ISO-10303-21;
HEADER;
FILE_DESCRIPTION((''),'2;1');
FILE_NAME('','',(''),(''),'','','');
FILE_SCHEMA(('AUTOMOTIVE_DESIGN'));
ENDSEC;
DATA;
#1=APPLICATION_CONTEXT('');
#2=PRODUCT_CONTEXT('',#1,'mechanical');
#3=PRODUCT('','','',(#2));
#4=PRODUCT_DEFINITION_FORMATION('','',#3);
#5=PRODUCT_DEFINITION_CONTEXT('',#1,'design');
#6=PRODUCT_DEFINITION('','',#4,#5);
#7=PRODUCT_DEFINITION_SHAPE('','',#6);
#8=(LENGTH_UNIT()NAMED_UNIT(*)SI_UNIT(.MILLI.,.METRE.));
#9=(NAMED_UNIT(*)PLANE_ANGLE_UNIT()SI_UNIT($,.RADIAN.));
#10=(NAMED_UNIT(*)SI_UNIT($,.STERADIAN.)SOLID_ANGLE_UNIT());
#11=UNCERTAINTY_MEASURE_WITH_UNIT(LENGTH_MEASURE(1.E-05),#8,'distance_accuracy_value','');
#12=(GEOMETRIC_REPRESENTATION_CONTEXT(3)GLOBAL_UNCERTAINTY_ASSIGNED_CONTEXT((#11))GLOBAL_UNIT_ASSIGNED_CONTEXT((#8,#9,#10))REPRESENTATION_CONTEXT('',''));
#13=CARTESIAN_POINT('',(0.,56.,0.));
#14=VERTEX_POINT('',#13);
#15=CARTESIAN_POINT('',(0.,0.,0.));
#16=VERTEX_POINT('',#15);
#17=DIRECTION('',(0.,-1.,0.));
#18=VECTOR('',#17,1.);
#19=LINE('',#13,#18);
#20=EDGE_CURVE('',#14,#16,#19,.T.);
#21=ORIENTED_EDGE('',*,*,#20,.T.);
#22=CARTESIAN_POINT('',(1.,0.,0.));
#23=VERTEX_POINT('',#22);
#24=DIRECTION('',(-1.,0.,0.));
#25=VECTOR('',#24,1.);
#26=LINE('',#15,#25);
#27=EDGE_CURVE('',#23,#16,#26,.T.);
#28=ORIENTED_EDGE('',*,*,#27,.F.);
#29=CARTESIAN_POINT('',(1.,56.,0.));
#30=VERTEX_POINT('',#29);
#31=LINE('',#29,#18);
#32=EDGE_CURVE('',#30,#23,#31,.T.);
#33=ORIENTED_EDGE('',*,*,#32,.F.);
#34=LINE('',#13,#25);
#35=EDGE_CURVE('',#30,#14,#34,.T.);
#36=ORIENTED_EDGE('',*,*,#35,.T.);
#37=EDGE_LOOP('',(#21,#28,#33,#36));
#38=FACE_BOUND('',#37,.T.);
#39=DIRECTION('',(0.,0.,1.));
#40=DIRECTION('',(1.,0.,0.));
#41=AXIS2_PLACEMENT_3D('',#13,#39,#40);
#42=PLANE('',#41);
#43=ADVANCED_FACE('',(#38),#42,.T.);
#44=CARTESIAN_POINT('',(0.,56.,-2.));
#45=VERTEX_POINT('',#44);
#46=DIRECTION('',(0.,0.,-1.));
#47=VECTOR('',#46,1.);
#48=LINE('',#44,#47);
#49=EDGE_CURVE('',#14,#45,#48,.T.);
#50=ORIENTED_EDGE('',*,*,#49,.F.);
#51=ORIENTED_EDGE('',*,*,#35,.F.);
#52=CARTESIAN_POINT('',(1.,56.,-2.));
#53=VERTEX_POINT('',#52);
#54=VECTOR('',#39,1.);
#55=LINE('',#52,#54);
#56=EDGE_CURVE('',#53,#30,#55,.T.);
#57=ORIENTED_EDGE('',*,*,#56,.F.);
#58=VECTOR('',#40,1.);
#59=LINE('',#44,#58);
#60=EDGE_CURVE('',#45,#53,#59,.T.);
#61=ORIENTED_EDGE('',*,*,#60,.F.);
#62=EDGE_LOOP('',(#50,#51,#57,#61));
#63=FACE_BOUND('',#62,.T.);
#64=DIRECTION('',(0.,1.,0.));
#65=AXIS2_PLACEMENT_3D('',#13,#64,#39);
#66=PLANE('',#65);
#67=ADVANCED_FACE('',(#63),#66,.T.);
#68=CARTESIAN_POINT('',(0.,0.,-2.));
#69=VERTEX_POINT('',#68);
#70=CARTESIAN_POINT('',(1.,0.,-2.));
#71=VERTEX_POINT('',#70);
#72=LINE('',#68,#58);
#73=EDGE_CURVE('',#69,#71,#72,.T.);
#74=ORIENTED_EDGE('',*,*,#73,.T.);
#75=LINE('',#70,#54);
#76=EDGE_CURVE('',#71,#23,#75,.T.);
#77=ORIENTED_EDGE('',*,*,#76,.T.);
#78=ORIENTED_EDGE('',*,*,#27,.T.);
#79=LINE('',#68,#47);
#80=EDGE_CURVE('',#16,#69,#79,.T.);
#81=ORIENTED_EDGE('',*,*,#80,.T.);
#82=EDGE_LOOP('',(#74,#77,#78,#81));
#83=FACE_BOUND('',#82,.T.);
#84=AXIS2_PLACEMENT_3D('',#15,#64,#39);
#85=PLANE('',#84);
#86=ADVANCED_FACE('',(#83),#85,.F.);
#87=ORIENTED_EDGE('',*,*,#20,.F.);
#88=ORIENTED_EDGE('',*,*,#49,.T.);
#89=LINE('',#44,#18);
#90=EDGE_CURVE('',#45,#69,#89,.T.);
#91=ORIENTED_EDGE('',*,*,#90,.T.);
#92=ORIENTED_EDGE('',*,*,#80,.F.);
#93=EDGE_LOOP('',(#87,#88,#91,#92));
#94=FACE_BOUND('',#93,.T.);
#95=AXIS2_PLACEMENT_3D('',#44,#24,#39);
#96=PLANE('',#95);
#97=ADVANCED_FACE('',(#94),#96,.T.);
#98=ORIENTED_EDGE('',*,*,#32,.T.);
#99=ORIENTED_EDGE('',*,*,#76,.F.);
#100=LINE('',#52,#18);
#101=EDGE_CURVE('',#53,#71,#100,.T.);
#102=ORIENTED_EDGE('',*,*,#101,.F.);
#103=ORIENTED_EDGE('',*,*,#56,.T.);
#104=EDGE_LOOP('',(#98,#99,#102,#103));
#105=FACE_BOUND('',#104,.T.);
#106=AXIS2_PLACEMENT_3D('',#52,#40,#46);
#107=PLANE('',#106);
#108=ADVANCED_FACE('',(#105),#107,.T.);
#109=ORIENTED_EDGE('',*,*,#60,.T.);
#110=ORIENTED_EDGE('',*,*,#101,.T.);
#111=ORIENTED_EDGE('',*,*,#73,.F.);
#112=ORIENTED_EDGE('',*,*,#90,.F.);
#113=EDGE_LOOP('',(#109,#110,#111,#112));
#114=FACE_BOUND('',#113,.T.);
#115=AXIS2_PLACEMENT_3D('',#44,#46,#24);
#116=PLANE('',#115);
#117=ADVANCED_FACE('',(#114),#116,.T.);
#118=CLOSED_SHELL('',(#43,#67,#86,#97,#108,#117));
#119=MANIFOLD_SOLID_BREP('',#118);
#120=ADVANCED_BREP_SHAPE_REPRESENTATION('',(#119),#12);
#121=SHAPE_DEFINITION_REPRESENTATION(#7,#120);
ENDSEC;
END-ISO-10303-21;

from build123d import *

# Parameters (mm, degrees)
SKETCH2_W           = 1
SKETCH2_H           = 2
BOSS_EXTRUDE2_DEPTH = 56


with BuildPart() as part:
    # Sketch2 → Boss-Extrude2 (new body)
    with BuildSketch(Plane(origin=(0, 0, 0), x_dir=(-1, 0, 0), z_dir=(0, -1, 0))):
        with Locations((-0.5, 1)):
            Rectangle(SKETCH2_W, SKETCH2_H)
    extrude(amount=-BOSS_EXTRUDE2_DEPTH)


solid = part.part
